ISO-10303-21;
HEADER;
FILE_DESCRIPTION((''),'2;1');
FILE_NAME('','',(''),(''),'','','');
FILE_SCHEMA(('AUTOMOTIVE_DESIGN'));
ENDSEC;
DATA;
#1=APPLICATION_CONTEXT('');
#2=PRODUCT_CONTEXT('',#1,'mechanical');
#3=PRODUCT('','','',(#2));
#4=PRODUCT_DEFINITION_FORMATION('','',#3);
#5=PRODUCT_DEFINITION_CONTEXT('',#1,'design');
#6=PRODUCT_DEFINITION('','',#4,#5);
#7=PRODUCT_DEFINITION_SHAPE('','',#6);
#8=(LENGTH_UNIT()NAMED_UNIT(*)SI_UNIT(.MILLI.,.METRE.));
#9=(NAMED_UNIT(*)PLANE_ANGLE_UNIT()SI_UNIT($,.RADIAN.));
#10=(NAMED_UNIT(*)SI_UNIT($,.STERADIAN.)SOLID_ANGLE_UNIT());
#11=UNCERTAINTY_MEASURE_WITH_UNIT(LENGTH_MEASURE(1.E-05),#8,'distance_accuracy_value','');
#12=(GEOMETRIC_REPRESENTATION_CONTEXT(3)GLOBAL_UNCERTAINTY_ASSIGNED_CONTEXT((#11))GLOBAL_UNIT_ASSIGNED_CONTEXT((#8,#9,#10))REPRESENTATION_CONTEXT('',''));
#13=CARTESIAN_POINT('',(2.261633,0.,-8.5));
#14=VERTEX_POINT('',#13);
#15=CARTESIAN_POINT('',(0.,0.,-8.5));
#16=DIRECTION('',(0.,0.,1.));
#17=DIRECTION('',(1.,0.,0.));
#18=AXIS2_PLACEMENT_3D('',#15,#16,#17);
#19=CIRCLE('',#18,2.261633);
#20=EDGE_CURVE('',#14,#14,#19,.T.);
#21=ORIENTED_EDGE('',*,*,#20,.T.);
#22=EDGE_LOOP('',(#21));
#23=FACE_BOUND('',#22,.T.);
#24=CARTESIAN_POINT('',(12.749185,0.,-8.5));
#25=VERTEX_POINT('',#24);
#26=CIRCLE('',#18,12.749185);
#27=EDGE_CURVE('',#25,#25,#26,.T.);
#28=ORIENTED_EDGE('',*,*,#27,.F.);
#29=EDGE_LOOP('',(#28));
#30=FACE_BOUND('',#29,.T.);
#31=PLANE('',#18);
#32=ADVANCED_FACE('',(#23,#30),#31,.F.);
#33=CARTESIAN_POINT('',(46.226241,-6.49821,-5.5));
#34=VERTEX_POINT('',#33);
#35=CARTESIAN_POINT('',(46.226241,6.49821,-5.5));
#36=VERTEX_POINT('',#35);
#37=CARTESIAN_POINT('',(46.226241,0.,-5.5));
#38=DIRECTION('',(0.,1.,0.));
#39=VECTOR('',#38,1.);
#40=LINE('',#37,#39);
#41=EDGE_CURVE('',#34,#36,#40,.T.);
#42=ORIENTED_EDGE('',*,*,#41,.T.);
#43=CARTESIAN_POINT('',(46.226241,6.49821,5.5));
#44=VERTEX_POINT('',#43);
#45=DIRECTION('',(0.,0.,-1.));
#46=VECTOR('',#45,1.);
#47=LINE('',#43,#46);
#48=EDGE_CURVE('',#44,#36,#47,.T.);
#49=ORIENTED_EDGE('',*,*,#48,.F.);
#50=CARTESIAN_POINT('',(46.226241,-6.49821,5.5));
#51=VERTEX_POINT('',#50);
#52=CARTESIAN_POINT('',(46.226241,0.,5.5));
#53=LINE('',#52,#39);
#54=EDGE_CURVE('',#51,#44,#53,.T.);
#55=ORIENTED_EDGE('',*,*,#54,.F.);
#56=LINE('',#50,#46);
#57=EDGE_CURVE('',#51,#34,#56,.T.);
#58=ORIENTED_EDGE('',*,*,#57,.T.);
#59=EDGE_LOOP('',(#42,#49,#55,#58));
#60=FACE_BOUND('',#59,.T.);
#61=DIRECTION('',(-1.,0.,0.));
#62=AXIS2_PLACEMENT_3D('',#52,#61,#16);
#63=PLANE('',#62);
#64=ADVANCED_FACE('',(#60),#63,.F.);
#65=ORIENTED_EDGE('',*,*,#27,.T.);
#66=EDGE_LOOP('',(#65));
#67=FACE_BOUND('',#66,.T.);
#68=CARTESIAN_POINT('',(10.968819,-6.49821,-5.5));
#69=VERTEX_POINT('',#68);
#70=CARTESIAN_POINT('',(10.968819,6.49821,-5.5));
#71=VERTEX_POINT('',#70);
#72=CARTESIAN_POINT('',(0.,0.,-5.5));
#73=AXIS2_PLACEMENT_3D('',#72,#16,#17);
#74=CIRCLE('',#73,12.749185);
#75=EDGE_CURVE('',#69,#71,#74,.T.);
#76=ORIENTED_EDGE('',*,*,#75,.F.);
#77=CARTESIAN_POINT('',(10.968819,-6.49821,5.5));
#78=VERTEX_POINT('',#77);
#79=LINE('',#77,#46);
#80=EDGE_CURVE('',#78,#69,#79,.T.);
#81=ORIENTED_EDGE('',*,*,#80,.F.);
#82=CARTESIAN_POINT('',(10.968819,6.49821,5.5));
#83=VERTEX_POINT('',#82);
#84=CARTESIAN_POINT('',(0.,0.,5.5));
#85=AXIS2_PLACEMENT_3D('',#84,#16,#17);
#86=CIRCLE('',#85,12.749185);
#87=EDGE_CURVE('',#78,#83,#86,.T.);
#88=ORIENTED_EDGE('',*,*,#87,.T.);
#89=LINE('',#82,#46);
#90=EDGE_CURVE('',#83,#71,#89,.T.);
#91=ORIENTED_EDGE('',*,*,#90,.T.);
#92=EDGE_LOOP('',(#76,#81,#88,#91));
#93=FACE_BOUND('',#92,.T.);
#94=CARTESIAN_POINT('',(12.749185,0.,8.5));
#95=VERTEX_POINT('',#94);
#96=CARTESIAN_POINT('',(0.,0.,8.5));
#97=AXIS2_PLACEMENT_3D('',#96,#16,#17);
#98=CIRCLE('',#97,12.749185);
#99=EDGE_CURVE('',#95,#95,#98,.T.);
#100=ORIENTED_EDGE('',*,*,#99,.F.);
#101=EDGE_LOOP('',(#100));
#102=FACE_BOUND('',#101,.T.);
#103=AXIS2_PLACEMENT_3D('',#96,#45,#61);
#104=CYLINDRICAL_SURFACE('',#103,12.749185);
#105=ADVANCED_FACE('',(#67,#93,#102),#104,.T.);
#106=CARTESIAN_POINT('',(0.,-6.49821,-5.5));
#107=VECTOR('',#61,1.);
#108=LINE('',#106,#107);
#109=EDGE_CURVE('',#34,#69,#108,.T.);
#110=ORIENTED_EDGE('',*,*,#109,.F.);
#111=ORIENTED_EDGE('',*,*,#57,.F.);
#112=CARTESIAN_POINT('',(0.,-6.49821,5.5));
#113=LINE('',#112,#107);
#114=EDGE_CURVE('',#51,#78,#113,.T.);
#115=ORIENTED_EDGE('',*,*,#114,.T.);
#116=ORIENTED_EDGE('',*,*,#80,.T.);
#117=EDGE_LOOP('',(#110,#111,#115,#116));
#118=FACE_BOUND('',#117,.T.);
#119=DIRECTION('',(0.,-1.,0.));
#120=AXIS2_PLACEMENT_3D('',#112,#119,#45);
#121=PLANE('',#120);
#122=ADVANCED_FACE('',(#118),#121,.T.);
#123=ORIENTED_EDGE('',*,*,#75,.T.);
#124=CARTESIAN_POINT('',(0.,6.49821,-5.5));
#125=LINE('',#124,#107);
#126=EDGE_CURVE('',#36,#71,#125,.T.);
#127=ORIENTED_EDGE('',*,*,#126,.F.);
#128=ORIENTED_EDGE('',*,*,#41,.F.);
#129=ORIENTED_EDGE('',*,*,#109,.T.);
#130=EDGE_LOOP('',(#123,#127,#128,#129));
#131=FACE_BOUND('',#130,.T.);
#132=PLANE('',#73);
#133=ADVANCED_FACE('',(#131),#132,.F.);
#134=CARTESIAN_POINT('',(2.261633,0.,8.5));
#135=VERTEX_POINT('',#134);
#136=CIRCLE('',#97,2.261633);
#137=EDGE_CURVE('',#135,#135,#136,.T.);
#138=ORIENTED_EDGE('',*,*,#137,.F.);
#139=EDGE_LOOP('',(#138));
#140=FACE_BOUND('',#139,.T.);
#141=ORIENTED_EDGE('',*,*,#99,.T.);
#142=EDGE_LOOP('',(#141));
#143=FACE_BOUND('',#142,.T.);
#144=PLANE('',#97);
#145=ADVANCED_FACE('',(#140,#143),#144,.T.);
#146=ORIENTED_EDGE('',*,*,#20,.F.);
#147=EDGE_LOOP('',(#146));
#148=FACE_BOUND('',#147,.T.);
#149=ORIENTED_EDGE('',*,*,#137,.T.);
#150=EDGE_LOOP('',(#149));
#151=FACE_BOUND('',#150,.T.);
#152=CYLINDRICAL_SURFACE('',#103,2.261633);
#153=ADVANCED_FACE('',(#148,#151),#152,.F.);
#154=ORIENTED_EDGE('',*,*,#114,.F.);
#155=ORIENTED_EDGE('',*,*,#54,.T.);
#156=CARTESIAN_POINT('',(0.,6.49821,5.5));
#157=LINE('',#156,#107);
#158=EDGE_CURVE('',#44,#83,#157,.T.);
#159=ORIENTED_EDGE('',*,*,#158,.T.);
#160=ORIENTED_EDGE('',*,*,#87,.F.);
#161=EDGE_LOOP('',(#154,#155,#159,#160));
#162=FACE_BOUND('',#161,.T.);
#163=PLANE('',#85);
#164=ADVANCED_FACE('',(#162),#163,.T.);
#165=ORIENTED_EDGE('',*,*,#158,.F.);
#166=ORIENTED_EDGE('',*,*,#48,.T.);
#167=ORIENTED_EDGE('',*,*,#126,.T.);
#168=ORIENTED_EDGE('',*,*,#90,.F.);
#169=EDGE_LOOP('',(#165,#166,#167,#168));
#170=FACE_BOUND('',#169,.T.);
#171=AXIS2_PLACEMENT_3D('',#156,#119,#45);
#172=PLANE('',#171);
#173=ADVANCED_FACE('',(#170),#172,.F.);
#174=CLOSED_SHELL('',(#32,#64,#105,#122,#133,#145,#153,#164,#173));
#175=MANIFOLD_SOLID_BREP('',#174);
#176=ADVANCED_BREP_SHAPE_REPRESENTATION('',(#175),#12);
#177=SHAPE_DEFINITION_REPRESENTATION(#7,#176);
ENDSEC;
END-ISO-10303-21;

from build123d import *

# Parameters (mm, degrees)
BOSS_EXTRUDE1_DEPTH = 5.5
SKETCH1_3_R         = 2.261632510671041
BOSS_EXTRUDE2_DEPTH = 8.499999999999996


with BuildPart() as part:
    # Sketch1 → Boss-Extrude1 (new, symmetric)
    with BuildSketch(Plane.XY):
        with BuildLine():
            Line((10.96881949776985, -6.498209588575632), (46.22624128009294, -6.498209588575632))
            Line((46.22624128009294, -6.498209588575632), (46.22624128009294, 6.498209588575632))
            Line((46.22624128009294, 6.498209588575632), (10.96881949776985, 6.498209588575632))
            ThreePointArc((10.96881949776985, 6.498209588575631), (12.296040881424664, 3.3688436701701763), (12.74918542620321, 0))
            ThreePointArc((12.74918542620321, -3.12e-15), (12.296040881424664, -3.3688436701701785), (10.96881949776985, -6.498209588575633))
        make_face()
    extrude(amount=BOSS_EXTRUDE1_DEPTH, both=True)

    # Sketch1<3> → Boss-Extrude2 (add, symmetric)
    with BuildSketch(Plane.XY):
        with BuildLine():
            ThreePointArc((10.96881949776985, 6.498209588575631), (-12.74918542620321, 1.56e-15), (10.96881949776985, -6.498209588575633))
            ThreePointArc((10.96881949776985, -6.498209588575633), (12.296040881424664, -3.3688436701701785), (12.74918542620321, -3.12e-15))
            ThreePointArc((12.74918542620321, 0), (12.296040881424664, 3.3688436701701763), (10.96881949776985, 6.498209588575631))
        make_face()
        Circle(SKETCH1_3_R, mode=Mode.SUBTRACT)
    extrude(amount=BOSS_EXTRUDE2_DEPTH, both=True)


solid = part.part
